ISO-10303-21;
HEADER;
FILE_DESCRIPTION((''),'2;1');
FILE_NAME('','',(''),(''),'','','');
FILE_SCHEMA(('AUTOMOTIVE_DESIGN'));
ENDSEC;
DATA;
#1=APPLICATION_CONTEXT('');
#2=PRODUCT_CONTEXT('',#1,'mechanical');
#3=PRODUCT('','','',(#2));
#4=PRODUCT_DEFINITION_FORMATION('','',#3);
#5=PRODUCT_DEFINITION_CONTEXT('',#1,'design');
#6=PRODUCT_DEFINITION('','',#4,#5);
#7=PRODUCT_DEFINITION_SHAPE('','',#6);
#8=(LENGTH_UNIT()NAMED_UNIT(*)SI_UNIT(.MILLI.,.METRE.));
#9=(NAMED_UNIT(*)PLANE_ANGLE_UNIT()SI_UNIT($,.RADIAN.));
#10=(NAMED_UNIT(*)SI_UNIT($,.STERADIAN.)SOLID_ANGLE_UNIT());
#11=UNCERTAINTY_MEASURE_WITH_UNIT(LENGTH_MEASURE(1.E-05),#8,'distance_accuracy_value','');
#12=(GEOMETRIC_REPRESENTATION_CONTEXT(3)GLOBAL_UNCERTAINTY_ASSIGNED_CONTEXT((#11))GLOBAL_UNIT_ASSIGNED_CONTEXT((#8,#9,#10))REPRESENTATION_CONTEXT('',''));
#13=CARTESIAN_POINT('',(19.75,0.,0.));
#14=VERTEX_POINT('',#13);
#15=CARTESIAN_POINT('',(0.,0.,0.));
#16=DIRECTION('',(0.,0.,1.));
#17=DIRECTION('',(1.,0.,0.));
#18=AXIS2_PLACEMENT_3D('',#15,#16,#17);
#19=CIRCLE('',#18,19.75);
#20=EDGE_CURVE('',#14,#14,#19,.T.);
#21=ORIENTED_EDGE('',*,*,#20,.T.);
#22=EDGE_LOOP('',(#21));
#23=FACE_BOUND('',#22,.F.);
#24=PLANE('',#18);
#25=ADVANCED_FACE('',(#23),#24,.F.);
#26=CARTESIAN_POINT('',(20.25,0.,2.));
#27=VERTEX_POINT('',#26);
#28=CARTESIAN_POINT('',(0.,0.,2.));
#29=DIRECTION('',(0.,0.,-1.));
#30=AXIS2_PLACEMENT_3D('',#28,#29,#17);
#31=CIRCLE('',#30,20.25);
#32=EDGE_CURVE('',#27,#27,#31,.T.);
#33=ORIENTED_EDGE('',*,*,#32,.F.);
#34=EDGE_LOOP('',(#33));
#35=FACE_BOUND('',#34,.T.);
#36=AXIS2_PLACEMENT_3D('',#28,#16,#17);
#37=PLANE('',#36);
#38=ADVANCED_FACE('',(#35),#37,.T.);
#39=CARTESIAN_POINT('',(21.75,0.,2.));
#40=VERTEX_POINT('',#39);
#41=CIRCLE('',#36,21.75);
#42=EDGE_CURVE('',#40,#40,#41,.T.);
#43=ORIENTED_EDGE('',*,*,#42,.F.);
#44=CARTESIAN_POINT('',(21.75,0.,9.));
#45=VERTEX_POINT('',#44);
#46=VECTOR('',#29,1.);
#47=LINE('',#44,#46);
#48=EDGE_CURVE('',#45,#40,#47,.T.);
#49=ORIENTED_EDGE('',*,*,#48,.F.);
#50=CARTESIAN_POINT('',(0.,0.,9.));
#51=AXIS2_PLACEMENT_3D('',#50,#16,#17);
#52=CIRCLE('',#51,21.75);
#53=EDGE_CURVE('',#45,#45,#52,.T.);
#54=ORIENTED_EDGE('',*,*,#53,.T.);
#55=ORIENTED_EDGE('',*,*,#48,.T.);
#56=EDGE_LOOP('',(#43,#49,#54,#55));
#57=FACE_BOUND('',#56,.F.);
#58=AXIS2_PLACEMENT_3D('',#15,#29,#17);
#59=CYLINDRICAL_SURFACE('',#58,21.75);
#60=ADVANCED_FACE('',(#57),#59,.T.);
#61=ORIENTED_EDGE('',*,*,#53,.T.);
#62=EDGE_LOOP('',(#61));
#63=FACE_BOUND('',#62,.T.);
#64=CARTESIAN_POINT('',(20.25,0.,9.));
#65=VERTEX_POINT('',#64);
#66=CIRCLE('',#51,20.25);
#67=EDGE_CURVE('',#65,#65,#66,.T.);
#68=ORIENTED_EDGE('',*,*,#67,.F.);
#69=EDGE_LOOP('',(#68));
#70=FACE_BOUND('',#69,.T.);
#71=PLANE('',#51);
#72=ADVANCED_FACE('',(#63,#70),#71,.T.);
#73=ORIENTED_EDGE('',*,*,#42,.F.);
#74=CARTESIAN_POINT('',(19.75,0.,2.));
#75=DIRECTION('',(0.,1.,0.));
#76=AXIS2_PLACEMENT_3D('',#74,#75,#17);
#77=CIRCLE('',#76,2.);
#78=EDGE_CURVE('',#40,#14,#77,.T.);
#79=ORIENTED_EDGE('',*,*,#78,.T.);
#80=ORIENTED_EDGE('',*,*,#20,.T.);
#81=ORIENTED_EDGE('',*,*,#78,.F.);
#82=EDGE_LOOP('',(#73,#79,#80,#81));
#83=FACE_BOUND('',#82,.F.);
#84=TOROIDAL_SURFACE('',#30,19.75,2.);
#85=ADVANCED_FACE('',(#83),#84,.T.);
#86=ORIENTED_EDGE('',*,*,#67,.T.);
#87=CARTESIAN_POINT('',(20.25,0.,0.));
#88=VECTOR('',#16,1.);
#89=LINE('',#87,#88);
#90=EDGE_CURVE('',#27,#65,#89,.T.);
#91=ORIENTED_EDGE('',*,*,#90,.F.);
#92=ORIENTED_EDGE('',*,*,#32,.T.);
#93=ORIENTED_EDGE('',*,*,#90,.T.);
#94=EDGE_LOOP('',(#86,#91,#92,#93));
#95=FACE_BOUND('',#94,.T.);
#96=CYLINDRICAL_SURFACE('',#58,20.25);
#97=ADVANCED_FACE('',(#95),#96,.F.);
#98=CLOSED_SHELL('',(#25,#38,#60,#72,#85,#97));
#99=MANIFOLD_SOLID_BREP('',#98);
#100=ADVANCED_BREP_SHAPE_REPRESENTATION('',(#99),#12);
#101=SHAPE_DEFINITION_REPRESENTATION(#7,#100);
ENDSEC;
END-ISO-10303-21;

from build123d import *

# Parameters (mm, degrees)
F0_R     = 21.75
F1_DEPTH = 2
F2_R     = 21.75
F2_R_2   = 20.25
F3_DEPTH = 9
F4_R     = 2


with BuildPart() as f1:
    # F0 (on Top) → F1 (new body)
    with BuildSketch(Plane.XY):
        Circle(F0_R)
    extrude(amount=F1_DEPTH)

    # F2 (on Top) → F3 (join)
    with BuildSketch(Plane.XY):
        Circle(F2_R)
        Circle(F2_R_2, mode=Mode.SUBTRACT)
    extrude(amount=F3_DEPTH)

    # F4
    f4_edges = [f1.edges().sort_by_distance(p)[0] for p in [
        (-21.75, 0, 0),
    ]]
    fillet(f4_edges, radius=F4_R)


solid = f1.part
